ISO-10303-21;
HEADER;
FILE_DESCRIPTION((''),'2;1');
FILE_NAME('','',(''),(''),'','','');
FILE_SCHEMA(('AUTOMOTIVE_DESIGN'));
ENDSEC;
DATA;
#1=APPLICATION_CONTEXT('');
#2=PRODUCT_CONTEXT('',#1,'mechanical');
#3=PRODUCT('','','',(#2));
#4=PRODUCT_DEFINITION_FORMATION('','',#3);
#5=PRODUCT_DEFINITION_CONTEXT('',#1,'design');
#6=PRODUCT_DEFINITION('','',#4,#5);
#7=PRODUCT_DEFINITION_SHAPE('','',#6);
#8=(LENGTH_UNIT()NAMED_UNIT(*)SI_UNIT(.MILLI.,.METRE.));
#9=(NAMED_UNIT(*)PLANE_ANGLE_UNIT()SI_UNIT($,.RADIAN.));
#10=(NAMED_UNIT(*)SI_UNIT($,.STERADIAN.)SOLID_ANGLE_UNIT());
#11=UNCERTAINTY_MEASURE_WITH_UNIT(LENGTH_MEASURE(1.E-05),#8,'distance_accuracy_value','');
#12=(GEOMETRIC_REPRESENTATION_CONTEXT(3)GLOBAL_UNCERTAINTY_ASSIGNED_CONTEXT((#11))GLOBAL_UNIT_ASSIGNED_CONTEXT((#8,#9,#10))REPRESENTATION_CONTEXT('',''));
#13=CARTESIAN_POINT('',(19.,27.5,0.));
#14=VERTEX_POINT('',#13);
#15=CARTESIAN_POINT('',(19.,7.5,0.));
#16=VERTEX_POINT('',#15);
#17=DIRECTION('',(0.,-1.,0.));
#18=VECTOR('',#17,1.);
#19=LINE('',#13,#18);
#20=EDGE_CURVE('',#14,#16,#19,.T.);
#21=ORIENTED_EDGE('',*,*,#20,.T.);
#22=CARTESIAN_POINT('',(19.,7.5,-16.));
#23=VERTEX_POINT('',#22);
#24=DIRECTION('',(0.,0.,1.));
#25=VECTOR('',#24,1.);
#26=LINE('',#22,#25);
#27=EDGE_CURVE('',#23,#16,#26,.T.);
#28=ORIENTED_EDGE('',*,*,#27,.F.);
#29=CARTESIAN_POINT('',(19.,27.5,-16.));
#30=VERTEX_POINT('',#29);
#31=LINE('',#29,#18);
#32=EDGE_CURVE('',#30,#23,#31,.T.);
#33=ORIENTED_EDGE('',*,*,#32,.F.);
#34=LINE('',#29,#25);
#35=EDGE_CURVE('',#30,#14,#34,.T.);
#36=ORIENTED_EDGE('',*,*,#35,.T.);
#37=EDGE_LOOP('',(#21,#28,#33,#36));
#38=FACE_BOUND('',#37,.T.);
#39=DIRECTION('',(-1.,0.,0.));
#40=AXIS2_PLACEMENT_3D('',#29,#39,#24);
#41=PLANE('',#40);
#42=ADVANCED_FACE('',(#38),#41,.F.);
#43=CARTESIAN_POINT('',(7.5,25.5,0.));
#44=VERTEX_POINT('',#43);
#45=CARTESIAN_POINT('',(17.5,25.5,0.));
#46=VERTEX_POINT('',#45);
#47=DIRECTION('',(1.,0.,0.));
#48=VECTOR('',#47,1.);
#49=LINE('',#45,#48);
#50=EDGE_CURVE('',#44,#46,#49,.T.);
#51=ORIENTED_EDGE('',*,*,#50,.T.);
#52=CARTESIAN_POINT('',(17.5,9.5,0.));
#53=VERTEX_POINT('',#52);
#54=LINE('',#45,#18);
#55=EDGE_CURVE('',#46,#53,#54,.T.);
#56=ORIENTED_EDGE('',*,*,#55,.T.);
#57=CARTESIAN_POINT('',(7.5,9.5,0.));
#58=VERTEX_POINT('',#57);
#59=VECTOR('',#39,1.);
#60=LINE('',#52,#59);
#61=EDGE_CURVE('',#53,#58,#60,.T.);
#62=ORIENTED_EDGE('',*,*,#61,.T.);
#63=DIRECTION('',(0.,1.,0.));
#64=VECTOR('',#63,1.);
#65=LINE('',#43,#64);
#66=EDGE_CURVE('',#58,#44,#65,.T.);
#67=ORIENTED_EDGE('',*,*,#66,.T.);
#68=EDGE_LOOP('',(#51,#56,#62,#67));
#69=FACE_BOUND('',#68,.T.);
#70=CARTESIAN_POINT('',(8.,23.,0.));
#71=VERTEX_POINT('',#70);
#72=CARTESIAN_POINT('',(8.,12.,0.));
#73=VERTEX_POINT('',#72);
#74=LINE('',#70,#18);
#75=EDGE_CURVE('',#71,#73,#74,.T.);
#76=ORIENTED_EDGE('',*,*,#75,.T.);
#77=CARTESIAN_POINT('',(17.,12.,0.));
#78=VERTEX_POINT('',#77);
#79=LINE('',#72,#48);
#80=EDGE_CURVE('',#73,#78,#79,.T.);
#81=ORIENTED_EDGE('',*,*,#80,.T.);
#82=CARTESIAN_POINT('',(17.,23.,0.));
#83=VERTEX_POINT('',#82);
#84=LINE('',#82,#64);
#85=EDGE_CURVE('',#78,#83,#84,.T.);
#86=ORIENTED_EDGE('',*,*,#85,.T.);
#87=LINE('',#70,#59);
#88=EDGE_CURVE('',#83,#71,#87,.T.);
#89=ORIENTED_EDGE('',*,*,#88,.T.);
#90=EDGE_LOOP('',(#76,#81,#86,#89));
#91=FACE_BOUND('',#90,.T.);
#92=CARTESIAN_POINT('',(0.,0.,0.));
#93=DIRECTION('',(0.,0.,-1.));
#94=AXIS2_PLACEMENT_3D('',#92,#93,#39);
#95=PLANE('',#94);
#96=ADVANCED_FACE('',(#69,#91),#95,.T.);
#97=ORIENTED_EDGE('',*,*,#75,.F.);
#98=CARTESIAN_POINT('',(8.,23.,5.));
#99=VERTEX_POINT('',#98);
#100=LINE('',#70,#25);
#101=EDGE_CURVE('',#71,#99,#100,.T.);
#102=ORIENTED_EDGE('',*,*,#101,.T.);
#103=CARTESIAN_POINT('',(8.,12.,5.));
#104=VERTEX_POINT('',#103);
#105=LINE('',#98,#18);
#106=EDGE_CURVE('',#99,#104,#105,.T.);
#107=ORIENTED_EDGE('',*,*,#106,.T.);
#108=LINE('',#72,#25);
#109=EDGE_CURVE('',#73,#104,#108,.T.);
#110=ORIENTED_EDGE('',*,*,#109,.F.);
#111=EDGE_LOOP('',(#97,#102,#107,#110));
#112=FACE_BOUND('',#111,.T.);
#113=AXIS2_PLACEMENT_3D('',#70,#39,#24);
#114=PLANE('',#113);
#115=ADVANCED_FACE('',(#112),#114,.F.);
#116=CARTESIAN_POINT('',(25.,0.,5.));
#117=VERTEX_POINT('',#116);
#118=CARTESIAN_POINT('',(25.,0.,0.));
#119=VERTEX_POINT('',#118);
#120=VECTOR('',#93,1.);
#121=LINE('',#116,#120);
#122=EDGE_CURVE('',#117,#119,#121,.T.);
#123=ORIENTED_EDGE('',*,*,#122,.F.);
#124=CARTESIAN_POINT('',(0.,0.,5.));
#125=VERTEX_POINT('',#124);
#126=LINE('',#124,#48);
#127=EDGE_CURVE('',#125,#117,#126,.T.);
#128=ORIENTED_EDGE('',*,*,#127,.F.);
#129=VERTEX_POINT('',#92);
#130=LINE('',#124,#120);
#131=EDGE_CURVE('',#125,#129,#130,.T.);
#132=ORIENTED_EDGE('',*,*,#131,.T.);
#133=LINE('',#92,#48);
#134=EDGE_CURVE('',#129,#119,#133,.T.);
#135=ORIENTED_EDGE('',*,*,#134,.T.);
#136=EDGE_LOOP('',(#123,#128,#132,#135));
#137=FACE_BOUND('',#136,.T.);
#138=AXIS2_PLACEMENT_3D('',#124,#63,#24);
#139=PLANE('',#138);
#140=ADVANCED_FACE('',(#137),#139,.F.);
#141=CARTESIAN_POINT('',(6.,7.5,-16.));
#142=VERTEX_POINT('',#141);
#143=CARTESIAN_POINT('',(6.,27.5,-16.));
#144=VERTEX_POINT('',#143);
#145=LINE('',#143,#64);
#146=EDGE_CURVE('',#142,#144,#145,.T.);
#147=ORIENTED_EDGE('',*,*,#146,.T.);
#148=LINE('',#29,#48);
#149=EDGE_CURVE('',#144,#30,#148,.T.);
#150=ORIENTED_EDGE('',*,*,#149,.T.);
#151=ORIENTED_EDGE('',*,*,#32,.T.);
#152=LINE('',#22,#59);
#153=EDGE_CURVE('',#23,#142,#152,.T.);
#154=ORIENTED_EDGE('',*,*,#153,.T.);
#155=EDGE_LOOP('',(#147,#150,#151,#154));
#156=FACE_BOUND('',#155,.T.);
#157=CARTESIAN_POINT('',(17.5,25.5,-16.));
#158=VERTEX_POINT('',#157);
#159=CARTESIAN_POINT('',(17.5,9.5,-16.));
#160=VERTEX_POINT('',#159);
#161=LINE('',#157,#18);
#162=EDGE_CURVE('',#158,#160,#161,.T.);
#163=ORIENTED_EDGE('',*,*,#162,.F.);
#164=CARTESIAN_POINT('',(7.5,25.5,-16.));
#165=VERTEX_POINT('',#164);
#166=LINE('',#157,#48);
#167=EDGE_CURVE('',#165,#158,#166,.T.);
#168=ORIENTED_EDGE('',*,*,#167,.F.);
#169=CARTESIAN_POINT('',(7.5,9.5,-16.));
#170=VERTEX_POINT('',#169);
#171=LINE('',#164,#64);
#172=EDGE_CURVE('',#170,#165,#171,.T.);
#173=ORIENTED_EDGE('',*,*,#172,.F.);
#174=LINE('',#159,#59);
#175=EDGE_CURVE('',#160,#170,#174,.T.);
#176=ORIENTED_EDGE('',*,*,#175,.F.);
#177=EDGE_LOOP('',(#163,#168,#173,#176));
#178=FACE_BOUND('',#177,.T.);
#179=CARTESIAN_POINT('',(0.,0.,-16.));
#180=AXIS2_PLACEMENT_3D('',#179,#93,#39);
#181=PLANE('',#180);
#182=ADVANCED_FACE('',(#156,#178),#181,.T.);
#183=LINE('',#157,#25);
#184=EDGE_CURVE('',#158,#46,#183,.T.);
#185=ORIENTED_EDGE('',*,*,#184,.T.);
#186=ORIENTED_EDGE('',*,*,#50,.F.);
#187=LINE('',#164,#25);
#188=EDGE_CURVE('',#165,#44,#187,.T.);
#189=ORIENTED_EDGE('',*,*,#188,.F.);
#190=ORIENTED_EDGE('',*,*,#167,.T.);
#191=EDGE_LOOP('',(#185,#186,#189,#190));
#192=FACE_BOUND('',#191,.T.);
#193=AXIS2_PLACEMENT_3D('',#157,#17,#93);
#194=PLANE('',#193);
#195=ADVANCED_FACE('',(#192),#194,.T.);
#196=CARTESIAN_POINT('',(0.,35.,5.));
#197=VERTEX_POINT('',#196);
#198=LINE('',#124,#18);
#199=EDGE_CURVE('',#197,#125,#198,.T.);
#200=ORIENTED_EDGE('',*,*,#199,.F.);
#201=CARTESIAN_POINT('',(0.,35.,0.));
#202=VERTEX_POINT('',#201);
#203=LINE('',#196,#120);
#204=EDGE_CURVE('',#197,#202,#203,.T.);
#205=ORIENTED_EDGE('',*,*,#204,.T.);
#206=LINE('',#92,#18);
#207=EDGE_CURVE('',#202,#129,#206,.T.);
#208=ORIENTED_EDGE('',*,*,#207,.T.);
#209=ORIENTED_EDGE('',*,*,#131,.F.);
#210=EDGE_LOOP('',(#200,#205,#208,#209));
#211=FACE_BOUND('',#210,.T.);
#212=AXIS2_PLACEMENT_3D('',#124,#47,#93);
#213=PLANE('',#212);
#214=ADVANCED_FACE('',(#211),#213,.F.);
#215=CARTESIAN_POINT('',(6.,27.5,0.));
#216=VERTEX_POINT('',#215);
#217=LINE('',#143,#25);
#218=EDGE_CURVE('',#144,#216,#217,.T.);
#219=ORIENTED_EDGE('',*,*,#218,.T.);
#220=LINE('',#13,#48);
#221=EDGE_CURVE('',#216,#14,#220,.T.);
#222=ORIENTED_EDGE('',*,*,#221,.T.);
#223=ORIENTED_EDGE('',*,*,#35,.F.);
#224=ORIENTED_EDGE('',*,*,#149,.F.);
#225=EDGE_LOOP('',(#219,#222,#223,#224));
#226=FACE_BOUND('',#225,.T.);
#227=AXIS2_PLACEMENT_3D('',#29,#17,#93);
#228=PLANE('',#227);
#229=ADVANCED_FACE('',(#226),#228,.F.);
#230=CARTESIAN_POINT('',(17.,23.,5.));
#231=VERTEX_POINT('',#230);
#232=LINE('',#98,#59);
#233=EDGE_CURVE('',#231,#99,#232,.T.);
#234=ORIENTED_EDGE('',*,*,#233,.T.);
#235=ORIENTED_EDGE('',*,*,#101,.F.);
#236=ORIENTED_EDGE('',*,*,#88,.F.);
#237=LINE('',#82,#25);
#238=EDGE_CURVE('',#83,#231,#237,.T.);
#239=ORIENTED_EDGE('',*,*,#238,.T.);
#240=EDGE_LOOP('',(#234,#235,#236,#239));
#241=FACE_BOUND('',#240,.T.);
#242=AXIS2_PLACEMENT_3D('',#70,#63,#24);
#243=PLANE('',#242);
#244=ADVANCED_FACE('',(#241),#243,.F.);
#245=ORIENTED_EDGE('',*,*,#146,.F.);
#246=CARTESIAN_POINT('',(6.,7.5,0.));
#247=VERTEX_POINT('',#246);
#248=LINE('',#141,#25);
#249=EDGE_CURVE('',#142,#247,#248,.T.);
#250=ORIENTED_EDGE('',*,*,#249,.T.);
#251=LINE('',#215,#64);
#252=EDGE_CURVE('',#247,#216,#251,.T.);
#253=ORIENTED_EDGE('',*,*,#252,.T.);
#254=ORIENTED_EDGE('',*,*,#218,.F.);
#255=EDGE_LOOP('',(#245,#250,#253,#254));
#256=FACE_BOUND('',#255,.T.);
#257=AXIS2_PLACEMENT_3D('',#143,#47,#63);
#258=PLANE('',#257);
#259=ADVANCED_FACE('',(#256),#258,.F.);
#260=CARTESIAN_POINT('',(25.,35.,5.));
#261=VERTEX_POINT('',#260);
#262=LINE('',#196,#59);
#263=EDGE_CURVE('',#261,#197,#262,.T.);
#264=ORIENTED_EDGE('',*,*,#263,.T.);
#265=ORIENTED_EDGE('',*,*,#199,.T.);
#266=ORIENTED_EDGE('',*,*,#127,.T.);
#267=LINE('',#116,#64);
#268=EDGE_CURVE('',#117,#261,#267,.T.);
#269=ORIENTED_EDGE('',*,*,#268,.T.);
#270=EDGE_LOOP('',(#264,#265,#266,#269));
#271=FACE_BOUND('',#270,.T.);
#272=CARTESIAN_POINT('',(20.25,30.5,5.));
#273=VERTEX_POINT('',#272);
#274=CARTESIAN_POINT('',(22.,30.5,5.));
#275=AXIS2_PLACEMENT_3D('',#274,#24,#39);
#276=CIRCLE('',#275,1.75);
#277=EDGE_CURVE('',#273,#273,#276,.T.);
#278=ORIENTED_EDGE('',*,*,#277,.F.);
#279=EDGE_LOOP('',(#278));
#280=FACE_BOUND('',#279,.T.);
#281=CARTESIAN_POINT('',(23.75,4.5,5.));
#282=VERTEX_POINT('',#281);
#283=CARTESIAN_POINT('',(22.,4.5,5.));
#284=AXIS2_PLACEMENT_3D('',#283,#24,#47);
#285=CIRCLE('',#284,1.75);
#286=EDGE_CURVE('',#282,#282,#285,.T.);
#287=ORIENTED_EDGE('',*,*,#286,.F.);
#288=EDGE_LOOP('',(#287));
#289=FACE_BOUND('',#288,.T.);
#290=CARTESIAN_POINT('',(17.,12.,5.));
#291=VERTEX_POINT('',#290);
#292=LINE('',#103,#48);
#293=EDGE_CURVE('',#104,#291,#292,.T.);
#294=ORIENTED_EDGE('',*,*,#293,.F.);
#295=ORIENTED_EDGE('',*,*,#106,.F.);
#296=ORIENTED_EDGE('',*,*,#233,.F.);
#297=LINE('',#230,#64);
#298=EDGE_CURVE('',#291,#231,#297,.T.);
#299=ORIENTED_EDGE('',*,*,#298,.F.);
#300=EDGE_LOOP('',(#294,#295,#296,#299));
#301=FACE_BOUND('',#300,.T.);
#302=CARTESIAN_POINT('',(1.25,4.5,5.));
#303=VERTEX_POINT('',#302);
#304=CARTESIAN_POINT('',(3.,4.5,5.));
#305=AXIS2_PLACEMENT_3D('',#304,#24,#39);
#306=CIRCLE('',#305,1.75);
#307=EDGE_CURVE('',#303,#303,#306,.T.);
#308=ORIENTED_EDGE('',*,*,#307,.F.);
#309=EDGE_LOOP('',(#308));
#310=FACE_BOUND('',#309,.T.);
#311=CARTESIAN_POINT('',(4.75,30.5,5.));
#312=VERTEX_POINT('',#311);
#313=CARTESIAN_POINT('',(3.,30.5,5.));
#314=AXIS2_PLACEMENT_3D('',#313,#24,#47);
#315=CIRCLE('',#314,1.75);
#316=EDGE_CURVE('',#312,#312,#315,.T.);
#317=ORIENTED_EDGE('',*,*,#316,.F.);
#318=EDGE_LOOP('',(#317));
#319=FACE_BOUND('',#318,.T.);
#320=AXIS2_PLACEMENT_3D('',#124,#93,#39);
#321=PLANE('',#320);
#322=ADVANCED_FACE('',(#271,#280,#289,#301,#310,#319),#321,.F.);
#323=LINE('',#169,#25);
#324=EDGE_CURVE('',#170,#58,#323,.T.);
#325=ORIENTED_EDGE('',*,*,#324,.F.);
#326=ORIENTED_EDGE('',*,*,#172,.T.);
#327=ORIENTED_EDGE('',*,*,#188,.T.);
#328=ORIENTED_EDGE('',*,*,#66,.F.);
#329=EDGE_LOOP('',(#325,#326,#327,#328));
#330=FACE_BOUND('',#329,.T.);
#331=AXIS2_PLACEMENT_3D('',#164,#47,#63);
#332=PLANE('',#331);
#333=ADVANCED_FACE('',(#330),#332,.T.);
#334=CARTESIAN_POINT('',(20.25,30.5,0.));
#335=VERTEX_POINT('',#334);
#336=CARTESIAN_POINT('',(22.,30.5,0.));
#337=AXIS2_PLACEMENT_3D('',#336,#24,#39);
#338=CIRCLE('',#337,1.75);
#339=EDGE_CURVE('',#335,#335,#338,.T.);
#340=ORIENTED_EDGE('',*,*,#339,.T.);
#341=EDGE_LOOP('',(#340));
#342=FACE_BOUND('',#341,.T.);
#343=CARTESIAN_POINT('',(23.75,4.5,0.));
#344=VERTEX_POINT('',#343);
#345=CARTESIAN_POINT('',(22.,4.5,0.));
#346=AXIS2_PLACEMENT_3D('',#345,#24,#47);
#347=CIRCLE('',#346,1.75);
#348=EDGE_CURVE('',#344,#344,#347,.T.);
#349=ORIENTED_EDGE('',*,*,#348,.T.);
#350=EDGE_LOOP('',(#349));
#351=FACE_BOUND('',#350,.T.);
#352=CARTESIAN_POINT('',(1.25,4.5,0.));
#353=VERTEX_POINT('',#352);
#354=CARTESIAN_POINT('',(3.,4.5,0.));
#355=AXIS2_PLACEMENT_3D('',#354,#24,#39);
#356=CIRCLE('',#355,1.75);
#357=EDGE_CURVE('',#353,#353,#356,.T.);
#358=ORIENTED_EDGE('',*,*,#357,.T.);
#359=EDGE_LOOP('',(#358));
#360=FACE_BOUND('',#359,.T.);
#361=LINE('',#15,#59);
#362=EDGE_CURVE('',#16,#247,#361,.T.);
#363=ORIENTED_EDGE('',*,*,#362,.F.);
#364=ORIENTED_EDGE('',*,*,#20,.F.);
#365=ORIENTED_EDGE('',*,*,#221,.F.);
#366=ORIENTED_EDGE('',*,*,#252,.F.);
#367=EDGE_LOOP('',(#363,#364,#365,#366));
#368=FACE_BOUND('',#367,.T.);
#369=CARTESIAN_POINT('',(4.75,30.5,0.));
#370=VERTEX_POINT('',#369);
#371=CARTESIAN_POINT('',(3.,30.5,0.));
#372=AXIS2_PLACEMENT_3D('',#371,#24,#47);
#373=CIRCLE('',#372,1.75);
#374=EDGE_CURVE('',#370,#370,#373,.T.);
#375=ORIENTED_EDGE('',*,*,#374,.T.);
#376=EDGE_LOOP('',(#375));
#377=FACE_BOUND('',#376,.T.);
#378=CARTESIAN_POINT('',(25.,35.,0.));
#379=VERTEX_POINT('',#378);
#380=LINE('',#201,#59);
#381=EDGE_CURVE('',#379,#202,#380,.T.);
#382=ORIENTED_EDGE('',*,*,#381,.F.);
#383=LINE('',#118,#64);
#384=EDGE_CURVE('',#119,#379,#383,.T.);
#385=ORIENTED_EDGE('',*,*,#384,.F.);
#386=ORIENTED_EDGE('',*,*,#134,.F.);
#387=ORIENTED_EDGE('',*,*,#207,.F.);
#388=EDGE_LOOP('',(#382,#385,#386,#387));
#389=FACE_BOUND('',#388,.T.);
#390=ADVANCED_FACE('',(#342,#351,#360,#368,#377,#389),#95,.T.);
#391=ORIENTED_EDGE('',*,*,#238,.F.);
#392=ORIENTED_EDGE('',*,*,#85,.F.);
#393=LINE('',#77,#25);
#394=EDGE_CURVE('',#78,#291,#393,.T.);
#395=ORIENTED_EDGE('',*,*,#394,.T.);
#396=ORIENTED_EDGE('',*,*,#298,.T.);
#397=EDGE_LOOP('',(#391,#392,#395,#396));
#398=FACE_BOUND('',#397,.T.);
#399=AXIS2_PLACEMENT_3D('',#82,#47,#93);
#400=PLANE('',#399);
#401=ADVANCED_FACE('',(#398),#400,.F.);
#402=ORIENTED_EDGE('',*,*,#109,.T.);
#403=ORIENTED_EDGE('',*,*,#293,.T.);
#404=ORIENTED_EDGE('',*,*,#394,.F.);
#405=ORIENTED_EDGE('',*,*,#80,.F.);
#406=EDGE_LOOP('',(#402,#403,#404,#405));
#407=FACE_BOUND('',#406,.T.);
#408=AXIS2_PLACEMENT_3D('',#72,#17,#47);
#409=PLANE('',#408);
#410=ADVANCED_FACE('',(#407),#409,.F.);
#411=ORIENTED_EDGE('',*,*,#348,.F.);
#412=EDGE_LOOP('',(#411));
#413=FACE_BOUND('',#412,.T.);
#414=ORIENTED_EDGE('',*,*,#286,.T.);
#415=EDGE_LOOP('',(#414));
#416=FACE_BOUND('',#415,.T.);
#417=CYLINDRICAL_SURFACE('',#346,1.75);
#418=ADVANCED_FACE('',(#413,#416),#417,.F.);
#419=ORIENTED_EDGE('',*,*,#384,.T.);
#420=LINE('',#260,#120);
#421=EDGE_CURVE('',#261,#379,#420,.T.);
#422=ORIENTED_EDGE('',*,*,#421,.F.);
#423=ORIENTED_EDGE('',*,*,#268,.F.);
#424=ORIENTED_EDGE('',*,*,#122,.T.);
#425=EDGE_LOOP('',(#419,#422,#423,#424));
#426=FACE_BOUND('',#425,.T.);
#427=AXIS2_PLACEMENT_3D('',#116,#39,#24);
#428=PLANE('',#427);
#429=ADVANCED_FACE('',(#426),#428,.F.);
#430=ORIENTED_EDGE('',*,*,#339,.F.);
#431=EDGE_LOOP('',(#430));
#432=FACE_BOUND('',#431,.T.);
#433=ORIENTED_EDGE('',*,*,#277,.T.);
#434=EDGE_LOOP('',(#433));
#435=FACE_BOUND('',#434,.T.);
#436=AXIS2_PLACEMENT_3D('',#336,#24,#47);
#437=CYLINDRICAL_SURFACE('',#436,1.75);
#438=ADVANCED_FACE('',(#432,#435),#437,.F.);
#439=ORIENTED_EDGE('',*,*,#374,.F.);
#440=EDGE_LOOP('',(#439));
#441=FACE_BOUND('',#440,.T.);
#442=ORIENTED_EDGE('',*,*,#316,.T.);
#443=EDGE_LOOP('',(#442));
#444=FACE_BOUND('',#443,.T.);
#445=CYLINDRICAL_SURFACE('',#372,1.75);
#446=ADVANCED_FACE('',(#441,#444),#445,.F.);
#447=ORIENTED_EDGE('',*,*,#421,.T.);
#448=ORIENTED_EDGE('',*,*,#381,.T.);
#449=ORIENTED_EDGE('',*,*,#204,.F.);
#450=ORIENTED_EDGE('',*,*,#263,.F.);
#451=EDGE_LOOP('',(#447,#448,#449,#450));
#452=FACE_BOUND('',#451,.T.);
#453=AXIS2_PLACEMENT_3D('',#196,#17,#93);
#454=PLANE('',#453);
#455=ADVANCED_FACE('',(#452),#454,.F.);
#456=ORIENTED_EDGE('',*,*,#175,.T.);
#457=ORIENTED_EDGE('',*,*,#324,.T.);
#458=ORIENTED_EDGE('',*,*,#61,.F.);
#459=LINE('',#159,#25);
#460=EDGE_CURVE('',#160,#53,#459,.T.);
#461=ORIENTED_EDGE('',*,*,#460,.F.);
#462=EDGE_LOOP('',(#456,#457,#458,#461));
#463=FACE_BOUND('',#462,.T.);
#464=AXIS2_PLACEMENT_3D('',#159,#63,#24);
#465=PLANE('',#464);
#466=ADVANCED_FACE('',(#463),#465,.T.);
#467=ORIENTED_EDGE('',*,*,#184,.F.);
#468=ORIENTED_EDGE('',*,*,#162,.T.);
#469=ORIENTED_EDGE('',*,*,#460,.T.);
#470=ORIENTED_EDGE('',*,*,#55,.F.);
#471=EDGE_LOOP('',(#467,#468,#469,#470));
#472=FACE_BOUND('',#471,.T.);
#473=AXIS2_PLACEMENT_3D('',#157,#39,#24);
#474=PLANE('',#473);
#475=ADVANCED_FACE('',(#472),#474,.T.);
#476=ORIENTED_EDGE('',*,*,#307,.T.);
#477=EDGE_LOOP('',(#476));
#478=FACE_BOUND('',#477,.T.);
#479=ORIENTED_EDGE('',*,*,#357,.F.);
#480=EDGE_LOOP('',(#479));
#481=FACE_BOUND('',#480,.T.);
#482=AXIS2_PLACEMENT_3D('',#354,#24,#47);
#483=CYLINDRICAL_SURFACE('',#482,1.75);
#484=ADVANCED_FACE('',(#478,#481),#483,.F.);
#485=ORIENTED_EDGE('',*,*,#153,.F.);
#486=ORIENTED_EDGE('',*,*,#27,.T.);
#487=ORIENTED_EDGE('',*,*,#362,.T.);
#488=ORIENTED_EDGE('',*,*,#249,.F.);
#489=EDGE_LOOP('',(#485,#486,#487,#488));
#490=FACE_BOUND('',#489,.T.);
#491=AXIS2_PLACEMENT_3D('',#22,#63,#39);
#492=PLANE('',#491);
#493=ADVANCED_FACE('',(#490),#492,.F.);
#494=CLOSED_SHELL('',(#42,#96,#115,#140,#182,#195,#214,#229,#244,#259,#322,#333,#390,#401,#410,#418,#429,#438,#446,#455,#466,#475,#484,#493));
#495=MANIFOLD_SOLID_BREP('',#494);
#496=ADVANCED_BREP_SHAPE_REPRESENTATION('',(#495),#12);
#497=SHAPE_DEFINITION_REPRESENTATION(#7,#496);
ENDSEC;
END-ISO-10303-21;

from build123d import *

# Parameters (mm, degrees)
SKETCH1_W           = 25
SKETCH1_H           = 35
BOSS_EXTRUDE1_DEPTH = 5
SKETCH2_W           = 9
SKETCH2_H           = 11
CUT_EXTRUDE1_DEPTH  = 6
SKETCH3_R           = 1.75
CUT_EXTRUDE2_DEPTH  = 6
SKETCH4_W           = 13
SKETCH4_H           = 20
SKETCH4_W_2         = 10
SKETCH4_H_2         = 16
BOSS_EXTRUDE2_DEPTH = 16


with BuildPart() as part:
    # Sketch1 → Boss-Extrude1 (new body)
    with BuildSketch(Plane.XY):
        with Locations((12.5, 17.5)):
            Rectangle(SKETCH1_W, SKETCH1_H)
    extrude(amount=BOSS_EXTRUDE1_DEPTH)

    # Sketch2 → Cut-Extrude1 (cut, through all)
    with BuildSketch(Plane.XY.offset(5)):
        with Locations((12.5, 17.5)):
            Rectangle(SKETCH2_W, SKETCH2_H)
    extrude(amount=-CUT_EXTRUDE1_DEPTH, mode=Mode.SUBTRACT)

    # Sketch3 → Cut-Extrude2 (cut, through all)
    with BuildSketch(Plane.XY.offset(5)):
        with Locations((3, 30.5)):
            Circle(SKETCH3_R)
        with Locations((3, 4.5)):
            Circle(SKETCH3_R)
        with Locations((22, 4.5)):
            Circle(SKETCH3_R)
        with Locations((22, 30.5)):
            Circle(SKETCH3_R)
    extrude(amount=-CUT_EXTRUDE2_DEPTH, mode=Mode.SUBTRACT)

    # Sketch4 → Boss-Extrude2 (add)
    with BuildSketch(Plane(origin=(0, 0, 0), x_dir=(-1, 0, 0), z_dir=(0, 0, -1))):
        with Locations((-12.5, 17.5)):
            Rectangle(SKETCH4_W, SKETCH4_H)
        with Locations((-12.5, 17.5)):
            Rectangle(SKETCH4_W_2, SKETCH4_H_2, mode=Mode.SUBTRACT)
    extrude(amount=BOSS_EXTRUDE2_DEPTH)


solid = part.part
